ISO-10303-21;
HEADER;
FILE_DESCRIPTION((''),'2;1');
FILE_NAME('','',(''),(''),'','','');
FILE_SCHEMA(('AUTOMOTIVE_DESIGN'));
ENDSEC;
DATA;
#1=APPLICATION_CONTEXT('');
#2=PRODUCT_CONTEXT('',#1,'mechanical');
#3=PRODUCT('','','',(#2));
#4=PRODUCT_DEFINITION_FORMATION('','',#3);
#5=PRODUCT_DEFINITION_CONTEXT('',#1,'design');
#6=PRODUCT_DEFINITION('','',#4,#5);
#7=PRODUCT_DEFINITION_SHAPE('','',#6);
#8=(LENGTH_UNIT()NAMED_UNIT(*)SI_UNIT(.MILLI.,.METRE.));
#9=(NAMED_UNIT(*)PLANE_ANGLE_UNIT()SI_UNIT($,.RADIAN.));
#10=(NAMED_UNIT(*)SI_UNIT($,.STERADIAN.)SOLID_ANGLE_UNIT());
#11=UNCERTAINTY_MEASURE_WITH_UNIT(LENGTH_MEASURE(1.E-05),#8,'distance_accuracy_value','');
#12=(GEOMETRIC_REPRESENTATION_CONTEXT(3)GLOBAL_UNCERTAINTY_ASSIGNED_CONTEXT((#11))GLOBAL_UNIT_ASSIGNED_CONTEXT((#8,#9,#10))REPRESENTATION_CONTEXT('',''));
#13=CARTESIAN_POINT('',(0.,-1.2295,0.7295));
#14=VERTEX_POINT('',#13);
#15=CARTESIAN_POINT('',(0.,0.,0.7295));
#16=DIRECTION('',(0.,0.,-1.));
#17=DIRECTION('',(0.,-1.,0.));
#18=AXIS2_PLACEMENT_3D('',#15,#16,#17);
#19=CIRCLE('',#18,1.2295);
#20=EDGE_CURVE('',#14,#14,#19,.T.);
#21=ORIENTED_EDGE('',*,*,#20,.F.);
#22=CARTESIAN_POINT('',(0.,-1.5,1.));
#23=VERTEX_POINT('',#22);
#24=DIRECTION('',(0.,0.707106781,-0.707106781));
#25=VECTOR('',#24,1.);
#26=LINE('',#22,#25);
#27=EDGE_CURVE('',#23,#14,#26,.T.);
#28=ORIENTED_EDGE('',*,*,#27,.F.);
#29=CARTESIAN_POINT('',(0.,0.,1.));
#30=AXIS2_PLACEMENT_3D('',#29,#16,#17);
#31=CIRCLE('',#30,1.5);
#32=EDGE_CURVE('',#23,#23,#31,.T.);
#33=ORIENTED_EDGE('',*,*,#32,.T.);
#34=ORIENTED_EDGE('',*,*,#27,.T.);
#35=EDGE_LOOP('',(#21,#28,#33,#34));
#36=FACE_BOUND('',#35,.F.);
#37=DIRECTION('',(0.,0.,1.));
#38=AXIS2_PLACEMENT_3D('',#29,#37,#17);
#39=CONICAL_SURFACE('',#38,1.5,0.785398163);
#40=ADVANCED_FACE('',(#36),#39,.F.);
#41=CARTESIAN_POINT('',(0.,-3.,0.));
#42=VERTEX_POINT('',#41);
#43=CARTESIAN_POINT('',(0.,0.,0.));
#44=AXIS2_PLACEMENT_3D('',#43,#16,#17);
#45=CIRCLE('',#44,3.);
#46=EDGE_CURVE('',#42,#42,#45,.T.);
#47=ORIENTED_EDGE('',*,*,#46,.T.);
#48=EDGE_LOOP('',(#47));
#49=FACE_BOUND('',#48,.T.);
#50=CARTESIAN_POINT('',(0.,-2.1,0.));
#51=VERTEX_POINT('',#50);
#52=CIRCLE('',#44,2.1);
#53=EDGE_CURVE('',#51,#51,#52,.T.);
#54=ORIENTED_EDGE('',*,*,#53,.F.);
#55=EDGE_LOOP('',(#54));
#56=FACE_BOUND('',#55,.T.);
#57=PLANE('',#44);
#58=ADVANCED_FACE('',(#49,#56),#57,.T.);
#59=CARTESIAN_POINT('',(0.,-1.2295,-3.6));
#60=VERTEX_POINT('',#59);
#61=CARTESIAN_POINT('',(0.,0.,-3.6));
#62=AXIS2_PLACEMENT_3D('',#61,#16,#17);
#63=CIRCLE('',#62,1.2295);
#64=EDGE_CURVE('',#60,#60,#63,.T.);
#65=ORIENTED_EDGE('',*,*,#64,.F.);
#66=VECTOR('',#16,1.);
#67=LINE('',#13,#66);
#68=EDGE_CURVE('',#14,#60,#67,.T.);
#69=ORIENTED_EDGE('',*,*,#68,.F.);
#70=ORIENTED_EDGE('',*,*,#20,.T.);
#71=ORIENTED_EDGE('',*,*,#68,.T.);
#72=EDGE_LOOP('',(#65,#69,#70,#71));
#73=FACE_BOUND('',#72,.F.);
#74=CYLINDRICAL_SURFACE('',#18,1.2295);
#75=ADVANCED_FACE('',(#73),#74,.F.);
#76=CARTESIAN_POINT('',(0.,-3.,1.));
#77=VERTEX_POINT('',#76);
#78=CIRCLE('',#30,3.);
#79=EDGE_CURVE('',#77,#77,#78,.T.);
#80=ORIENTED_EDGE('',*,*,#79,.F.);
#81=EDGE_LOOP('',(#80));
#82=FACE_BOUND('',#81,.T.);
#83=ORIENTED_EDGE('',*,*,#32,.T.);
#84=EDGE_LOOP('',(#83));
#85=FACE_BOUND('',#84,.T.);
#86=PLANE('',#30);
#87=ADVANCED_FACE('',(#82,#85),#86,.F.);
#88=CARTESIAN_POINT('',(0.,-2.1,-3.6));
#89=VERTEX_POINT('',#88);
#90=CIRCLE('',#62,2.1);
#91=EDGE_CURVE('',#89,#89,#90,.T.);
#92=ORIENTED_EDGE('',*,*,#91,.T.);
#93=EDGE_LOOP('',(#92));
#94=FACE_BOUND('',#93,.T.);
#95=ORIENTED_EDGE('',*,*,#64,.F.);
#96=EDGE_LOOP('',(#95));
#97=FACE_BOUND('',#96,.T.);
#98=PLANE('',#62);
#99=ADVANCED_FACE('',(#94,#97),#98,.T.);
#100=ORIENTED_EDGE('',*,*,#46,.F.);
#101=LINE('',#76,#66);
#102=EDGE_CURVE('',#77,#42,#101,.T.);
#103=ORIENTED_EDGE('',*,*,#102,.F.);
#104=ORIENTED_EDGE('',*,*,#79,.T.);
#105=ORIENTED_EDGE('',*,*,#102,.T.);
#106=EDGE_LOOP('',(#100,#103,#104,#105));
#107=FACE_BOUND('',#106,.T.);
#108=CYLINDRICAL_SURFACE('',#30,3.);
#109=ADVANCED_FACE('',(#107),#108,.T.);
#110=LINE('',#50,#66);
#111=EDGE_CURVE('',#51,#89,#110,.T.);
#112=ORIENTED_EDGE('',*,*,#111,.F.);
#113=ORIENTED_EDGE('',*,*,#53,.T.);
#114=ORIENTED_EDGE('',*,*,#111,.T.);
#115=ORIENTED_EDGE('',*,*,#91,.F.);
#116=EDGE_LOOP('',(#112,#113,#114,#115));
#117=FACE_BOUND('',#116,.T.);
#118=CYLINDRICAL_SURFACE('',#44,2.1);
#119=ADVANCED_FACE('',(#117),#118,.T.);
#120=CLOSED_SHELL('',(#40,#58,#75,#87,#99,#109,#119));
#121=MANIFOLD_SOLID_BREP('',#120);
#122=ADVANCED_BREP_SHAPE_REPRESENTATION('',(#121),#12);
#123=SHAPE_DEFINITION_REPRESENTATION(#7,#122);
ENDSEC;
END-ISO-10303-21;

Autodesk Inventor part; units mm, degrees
ref_plane "YZ Plane" through (0, 0, 0) normal (1, 0, 0) x (0, 1, 0)
ref_plane "XZ Plane" through (0, 0, 0) normal (0, 1, 0) x (-1, 0, 0)
ref_plane "XY Plane" through (0, 0, 0) normal (0, 0, 1) x (1, 0, 0)
sketch "Skizze1" plane through (0, 0, 0) normal (1, 0, 0) x (0, 1, 0)
  line L0 (0, 1) -> (0, -3.6)
  line L1 (0, 1) -> (-3, 1)
  line L2 (-3, 1) -> (-3, 0)
  line L3 (-3, 0) -> (-2.1, 0)
  line L4 (-2.1, 0) -> (-2.1, -3.6)
  line L5 (-2.1, -3.6) -> (0, -3.6)
  point P0 (0, 0)
  dimension "d0" = 6
  dimension "d1" = 4.2
  dimension "d2" = 1
  dimension "Länge" = 3.6
revolve "Umdrehung1" add sketch "Skizze1" angle 360 about axis through (0, 0, 1) along (0, 0, -1)
sketch "Skizze2" plane through (0, 0, 1) normal (0, 0, 1) x (1, 0, 0)
  point P0 (0, 0)
  point P1 (0, 0)
hole "Bohrung1" at (0, 0, 1) direction (0, 0, -1) diameter 2.459 end through all countersink diameter 3 countersink angle 90 thread size "M3x0.5" class "6H" standard "ISO Metric profile"
properties part number "9775036360R" material "Stahl, geschmiedet"
